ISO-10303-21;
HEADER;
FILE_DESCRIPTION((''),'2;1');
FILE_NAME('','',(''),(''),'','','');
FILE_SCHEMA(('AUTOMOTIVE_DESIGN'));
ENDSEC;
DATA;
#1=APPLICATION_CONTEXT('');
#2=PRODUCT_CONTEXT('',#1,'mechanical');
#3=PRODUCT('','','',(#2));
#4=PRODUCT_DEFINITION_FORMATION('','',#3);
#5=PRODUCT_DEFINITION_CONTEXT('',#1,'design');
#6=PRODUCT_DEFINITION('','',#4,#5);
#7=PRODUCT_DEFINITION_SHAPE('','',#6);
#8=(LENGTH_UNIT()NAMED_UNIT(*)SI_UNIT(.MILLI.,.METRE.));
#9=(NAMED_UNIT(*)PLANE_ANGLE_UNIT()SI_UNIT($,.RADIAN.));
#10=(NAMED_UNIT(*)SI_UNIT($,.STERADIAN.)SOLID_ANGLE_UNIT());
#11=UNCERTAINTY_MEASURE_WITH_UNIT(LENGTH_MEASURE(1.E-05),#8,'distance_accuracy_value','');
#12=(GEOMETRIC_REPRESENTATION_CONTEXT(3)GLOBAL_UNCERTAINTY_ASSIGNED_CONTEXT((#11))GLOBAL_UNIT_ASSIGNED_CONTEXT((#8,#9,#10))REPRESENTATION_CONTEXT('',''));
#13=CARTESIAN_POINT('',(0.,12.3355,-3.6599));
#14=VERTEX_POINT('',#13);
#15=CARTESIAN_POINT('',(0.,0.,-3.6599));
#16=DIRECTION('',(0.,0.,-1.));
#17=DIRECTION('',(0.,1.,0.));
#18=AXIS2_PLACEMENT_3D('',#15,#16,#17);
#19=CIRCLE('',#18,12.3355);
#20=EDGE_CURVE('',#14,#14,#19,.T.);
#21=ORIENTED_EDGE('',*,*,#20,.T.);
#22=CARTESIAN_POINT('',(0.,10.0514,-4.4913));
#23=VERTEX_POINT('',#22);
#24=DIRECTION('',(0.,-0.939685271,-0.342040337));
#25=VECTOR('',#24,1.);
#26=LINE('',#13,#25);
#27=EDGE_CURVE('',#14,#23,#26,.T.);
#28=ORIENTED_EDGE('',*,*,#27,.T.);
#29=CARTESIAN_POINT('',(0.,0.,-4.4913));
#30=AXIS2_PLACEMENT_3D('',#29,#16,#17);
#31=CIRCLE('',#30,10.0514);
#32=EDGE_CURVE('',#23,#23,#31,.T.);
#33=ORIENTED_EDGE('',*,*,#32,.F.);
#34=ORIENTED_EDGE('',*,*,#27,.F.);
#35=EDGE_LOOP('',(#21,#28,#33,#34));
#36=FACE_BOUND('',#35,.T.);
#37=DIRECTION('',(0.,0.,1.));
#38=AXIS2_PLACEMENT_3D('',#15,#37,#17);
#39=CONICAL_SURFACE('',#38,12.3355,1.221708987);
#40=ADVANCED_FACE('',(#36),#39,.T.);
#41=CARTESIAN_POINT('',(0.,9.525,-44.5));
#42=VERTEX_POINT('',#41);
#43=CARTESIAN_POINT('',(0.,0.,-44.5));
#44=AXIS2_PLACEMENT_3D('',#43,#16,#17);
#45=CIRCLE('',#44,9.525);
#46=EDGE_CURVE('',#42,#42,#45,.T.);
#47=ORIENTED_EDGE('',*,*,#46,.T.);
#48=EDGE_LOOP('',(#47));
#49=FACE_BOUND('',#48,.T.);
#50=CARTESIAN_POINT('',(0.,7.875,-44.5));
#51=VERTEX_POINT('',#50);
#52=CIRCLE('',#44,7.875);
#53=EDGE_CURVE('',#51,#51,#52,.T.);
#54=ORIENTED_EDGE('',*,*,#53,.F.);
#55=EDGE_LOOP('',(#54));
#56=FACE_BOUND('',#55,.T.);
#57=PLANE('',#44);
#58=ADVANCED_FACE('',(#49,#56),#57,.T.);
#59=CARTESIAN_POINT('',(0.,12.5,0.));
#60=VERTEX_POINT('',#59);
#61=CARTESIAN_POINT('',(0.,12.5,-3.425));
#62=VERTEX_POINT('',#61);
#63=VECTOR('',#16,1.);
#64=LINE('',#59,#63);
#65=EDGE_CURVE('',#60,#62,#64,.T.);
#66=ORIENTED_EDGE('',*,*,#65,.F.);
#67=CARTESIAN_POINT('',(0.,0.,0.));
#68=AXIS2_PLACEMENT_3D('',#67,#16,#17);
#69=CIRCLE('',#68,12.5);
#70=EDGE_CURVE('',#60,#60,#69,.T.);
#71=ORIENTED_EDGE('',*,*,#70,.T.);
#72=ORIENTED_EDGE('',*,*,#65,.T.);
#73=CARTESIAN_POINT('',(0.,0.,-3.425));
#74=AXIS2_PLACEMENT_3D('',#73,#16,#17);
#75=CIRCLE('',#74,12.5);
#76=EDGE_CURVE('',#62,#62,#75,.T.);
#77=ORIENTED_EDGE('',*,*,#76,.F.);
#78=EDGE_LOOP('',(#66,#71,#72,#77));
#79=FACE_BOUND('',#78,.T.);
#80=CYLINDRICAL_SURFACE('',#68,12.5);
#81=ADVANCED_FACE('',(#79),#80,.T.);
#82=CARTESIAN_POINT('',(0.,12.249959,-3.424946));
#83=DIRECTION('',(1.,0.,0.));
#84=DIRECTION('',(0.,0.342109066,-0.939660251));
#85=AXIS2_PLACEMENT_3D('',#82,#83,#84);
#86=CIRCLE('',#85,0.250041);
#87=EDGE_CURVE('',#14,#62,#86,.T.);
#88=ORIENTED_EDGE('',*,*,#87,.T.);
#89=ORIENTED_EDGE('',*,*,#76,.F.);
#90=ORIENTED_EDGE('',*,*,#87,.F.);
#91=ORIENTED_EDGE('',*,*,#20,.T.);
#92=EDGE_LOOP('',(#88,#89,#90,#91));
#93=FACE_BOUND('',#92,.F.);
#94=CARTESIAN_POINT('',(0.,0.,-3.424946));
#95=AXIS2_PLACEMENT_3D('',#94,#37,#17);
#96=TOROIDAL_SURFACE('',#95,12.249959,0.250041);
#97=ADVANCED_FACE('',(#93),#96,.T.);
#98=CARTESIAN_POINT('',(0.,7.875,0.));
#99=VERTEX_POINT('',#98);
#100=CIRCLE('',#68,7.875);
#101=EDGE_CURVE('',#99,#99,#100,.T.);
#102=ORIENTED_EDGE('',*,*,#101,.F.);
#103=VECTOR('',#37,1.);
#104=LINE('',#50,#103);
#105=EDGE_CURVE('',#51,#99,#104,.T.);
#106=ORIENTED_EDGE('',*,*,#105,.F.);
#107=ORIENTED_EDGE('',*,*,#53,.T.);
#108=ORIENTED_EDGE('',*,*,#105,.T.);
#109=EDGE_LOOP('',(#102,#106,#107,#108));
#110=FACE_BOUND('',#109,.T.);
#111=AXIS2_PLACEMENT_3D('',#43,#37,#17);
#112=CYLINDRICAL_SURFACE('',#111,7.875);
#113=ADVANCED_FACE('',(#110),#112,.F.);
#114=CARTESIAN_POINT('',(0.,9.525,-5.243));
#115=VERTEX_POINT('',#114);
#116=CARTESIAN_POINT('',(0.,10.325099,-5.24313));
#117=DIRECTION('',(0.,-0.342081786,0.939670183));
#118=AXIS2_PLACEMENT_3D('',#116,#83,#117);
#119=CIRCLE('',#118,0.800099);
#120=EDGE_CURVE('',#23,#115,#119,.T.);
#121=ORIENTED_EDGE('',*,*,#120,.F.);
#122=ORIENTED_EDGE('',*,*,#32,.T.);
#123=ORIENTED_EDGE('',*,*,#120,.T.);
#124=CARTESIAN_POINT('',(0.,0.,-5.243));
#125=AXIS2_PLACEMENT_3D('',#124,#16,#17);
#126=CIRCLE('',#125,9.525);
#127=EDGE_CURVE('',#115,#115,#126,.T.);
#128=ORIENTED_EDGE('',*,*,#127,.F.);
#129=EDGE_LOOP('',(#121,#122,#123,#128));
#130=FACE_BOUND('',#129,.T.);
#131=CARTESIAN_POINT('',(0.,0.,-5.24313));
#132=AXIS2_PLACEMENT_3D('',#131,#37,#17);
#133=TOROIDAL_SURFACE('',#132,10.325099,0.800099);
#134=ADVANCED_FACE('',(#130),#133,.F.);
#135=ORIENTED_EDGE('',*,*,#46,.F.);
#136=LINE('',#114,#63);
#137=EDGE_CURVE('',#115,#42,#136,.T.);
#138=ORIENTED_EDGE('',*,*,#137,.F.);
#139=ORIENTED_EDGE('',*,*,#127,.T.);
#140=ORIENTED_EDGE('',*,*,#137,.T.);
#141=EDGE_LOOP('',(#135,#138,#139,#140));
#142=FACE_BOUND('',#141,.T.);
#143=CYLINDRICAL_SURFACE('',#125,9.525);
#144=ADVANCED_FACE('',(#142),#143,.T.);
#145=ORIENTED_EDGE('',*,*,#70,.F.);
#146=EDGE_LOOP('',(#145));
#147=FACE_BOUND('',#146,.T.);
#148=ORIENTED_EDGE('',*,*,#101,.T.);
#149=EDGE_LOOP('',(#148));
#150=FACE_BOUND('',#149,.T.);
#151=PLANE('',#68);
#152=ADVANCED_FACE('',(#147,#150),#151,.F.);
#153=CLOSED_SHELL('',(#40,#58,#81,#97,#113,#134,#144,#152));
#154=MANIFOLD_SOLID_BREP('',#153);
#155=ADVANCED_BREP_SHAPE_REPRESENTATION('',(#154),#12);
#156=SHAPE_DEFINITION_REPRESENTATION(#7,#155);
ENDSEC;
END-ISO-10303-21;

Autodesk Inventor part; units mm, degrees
ref_plane "YZ Plane" through (0, 0, 0) normal (1, 0, 0) x (0, 1, 0)
ref_plane "XZ Plane" through (0, 0, 0) normal (0, 1, 0) x (-1, 0, 0)
ref_plane "XY Plane" through (0, 0, 0) normal (0, 0, 1) x (1, 0, 0)
sketch "Sketch2" plane through (0, 0, 0) normal (1, 0, 0) x (0, 1, 0)
  line L0 (0, 0) -> (0, -44.5)
  line L1 (7.875, -44.5) -> (7.875, 0)
  line L2 (7.875, 0) -> (12.5, 0)
  line L3 (12.5, 0) -> (12.5, -3.425)
  line L4 (12.3355, -3.6599) -> (10.0514, -4.4913)
  line L5 (9.525, -5.243) -> (9.525, -44.5)
  line L6 (9.525, -44.5) -> (7.875, -44.5)
  arc A0 (12.3355, -3.6599) -> (12.5, -3.425) centre (12.25, -3.425) ccw
  arc A1 (10.0514, -4.4913) -> (9.525, -5.243) centre (10.325, -5.243) ccw
  dimension "OD" = 19.05
  dimension "THW" = 1.65
  dimension "L" = 44.5
  dimension "d3" = 25
  dimension "d4" = 0.25
  dimension "d5" = 3.425
  dimension "d6" = 0.8
  dimension "d7" = 20
revolve "Revolution1" add sketch "Sketch2" angle 360 about axis through (0, 0, 0) along (0, 0, -1)
properties part number "ASME BPE - HOSE FERRULE-19.05" material "Stainless Steel, 316L"
